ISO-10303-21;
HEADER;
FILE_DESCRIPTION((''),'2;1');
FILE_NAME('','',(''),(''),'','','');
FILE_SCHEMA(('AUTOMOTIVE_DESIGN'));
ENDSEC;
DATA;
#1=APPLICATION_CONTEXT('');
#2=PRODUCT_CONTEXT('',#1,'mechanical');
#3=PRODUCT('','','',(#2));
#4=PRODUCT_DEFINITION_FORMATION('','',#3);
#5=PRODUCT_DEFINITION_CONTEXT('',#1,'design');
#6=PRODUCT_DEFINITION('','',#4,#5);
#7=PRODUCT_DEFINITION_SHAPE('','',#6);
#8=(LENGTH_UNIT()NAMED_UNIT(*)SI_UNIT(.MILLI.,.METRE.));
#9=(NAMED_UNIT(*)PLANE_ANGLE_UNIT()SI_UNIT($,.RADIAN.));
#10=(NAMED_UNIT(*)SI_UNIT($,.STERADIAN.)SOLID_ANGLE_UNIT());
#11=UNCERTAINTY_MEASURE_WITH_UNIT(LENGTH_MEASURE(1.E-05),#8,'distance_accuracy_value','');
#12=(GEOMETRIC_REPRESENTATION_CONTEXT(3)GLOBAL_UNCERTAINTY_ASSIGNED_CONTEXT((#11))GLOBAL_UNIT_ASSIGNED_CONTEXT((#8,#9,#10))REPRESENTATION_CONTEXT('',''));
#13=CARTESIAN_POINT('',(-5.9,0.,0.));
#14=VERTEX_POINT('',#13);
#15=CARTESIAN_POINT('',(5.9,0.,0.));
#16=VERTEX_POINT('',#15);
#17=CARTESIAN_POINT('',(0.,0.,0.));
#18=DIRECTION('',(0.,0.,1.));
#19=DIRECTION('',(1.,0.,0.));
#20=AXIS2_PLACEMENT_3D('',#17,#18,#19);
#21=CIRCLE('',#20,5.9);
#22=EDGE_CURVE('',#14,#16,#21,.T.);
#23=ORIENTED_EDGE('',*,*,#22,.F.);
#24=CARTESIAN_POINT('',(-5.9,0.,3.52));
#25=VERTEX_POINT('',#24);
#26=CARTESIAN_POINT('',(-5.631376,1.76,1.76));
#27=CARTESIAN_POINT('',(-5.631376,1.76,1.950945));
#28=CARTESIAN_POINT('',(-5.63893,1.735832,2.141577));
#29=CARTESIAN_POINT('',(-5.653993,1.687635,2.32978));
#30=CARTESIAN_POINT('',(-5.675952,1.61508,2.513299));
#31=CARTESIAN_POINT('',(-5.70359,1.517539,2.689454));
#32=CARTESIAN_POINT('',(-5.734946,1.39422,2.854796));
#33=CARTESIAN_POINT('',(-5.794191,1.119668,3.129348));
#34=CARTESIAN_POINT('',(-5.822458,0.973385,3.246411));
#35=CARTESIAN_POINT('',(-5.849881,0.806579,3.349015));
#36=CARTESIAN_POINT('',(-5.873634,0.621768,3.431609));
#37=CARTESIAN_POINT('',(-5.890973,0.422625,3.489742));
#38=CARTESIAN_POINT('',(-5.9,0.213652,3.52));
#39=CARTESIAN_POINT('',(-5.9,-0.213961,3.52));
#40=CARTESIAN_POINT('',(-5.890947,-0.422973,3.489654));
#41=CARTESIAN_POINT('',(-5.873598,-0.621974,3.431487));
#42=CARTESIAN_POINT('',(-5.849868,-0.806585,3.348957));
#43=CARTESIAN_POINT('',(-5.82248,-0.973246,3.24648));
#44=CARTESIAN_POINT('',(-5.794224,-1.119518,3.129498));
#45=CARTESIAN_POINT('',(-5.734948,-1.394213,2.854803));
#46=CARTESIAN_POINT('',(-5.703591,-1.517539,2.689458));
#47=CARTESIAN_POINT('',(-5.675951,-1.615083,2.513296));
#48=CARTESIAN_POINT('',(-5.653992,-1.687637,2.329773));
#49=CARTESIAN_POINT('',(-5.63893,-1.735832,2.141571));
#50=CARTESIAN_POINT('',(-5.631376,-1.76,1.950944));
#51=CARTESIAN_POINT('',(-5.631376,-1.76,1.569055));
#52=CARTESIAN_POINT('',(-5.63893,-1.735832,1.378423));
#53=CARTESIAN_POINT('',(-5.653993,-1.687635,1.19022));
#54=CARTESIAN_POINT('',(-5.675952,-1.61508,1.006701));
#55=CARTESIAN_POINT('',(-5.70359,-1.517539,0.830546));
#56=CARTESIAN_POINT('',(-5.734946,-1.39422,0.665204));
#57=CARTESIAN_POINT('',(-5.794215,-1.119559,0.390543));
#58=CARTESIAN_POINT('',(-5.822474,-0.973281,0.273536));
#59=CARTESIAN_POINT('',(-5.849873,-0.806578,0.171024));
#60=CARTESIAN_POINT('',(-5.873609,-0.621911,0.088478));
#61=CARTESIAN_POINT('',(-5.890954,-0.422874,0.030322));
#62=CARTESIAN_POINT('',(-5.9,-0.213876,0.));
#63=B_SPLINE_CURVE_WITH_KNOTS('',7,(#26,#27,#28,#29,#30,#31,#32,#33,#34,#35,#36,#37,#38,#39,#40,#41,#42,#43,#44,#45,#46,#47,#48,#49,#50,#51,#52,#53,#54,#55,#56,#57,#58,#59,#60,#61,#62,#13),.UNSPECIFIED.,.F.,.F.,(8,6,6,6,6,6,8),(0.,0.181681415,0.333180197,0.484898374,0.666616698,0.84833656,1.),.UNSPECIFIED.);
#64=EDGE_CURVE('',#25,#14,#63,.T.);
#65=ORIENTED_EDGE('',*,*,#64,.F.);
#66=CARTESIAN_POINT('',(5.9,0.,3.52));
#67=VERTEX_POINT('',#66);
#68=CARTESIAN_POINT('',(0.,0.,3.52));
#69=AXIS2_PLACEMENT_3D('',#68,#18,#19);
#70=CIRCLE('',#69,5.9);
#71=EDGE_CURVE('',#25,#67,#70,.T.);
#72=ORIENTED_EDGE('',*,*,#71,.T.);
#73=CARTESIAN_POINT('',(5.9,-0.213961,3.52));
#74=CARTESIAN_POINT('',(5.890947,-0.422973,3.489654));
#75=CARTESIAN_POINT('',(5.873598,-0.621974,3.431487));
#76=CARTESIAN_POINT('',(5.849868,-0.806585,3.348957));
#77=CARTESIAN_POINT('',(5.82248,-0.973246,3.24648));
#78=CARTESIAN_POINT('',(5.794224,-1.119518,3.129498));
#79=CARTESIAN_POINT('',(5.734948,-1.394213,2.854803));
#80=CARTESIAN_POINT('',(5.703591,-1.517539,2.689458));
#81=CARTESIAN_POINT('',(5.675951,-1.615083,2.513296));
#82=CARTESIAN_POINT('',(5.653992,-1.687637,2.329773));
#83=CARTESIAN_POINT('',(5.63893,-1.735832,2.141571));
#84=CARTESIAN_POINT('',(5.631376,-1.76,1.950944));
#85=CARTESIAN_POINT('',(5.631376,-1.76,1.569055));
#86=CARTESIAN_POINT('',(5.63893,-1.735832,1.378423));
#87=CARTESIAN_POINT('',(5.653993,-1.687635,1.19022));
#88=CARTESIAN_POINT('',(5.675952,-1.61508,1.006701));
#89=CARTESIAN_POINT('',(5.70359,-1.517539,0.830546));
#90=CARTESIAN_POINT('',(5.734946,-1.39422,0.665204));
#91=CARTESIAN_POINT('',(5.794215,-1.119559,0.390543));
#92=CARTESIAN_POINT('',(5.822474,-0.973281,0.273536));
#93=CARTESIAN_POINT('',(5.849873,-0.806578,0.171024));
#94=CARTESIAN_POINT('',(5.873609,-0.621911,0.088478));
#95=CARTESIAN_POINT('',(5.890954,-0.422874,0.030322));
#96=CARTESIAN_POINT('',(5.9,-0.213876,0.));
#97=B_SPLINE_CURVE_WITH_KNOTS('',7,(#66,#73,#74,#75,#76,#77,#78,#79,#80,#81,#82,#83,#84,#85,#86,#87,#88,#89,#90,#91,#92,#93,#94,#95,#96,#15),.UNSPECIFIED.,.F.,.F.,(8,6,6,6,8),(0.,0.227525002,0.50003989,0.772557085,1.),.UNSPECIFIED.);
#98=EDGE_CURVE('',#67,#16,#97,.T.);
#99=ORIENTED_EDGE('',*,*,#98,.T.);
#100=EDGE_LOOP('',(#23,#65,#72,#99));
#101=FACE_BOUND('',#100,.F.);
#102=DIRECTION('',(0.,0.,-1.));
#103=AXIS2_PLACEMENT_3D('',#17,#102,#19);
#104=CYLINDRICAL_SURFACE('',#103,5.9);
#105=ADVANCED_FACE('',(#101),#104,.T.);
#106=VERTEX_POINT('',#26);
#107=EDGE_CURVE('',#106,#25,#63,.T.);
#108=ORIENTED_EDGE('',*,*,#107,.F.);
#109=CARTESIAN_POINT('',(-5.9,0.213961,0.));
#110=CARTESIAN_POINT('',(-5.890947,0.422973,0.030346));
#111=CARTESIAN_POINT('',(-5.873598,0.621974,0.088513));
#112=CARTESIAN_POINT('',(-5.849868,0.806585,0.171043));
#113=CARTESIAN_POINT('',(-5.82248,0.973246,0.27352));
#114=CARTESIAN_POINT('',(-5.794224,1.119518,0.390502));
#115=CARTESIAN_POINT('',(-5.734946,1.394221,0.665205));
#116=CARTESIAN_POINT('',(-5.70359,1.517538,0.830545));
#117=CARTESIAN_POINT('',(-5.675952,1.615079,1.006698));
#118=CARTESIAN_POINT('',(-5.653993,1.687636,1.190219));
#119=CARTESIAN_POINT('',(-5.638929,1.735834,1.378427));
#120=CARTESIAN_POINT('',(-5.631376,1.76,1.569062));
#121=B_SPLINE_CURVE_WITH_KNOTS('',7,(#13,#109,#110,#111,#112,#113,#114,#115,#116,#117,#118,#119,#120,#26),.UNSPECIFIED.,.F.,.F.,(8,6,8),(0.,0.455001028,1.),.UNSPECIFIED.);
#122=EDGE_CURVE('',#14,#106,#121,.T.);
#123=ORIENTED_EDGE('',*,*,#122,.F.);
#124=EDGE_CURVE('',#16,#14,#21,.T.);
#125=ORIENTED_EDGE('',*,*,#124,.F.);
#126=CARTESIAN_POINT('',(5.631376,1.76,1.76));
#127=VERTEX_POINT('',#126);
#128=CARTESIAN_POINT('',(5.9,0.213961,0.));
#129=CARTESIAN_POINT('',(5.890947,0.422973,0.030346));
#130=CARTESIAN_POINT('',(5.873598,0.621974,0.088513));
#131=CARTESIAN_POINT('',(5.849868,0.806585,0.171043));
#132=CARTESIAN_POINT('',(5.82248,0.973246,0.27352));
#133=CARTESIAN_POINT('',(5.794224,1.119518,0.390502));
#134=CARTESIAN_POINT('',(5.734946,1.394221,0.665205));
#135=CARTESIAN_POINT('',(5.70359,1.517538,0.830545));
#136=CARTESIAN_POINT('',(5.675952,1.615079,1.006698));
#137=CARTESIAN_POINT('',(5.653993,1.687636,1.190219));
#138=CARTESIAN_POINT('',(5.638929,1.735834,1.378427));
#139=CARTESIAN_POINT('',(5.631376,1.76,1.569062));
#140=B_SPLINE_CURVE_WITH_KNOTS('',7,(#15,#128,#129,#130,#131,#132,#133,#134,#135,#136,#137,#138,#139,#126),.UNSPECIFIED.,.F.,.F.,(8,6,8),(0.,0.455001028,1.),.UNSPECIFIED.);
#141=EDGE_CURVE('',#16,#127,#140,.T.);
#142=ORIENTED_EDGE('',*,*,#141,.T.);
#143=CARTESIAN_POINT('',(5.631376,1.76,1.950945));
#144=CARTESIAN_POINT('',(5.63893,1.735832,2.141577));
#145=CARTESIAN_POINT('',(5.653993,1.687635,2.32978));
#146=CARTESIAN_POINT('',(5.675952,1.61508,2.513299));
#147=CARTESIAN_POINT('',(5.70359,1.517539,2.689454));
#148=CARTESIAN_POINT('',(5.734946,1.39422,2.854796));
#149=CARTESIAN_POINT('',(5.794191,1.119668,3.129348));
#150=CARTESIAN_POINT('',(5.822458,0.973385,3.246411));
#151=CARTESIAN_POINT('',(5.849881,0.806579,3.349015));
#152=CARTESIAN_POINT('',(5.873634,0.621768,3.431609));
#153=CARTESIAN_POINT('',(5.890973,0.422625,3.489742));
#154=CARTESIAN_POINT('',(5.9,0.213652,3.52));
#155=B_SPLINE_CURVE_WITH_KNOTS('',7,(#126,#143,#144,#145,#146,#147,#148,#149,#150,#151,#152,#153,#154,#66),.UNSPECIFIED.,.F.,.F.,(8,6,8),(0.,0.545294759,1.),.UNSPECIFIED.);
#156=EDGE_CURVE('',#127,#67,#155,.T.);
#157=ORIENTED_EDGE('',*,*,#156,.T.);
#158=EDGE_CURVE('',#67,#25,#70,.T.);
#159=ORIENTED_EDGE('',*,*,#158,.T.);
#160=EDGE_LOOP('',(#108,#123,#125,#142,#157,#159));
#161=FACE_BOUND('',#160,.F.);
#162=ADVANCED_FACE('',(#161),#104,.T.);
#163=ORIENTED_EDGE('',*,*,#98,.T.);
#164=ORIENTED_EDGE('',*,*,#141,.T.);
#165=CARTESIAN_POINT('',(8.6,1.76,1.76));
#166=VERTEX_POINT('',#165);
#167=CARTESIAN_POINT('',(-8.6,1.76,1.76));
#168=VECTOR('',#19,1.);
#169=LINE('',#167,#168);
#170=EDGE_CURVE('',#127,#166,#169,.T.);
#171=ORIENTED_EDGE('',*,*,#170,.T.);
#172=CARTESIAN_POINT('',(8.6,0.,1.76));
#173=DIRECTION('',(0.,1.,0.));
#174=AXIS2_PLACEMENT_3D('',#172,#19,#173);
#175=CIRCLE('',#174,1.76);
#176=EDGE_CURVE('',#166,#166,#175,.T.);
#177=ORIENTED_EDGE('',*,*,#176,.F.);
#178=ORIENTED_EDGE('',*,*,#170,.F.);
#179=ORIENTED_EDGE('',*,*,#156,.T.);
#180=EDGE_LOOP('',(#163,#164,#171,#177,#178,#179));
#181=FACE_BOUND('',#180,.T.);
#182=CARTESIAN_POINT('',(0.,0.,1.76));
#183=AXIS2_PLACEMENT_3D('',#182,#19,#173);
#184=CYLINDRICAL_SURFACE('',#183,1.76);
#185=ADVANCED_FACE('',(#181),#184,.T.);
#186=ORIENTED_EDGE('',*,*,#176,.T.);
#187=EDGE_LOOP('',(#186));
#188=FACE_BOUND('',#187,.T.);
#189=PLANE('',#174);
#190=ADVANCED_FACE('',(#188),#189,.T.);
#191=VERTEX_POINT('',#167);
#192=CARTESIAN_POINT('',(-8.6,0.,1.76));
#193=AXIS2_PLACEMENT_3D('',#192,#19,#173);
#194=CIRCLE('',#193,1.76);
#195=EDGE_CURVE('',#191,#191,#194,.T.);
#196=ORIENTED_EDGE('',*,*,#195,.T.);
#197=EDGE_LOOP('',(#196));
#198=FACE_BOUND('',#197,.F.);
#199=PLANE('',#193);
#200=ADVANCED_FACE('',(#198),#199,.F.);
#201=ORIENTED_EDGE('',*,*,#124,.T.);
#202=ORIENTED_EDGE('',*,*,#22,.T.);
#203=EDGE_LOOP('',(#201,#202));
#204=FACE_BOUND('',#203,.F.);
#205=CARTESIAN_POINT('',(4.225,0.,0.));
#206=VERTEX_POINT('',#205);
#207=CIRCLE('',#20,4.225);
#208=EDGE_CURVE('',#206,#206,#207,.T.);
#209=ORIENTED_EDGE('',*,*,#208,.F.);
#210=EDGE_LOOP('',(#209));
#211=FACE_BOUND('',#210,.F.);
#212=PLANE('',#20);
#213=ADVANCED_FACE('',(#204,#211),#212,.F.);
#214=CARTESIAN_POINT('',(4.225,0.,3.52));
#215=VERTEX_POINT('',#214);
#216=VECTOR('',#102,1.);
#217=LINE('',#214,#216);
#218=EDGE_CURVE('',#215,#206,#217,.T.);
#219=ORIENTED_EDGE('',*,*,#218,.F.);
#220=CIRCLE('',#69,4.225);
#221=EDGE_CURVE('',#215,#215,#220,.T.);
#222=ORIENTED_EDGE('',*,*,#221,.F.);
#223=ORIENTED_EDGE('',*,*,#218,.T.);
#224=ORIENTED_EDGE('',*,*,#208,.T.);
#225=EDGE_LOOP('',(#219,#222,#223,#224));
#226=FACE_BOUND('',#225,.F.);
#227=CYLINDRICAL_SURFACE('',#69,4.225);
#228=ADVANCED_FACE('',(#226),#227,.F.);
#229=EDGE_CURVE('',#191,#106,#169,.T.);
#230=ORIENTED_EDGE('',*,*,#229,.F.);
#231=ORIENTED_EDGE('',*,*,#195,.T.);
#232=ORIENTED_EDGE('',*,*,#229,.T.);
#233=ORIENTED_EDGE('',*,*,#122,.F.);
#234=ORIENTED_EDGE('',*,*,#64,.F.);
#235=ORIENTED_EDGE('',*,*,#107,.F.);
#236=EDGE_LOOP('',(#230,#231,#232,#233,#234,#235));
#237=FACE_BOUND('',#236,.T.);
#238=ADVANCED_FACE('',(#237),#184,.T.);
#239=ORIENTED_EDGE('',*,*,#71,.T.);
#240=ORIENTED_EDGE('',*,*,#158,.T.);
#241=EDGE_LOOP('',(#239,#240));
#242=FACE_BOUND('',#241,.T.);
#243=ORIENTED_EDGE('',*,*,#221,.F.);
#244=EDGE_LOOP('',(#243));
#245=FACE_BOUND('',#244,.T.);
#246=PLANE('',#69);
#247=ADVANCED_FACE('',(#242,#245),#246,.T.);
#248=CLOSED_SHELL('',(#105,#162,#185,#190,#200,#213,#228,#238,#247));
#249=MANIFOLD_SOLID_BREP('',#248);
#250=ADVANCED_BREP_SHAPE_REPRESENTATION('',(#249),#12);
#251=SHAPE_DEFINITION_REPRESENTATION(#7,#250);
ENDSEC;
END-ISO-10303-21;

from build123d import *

# Parameters (mm, degrees)
F0_R          = 1.76
F1_DEPTH      = 8.6
F1_DEPTH_BACK = 8.6
F2_R          = 5.9
F3_DEPTH      = 3.52
F4_R          = 4.225
F5_DEPTH      = 5


with BuildPart() as f1:
    # F0 (on Right) → F1 (new body, two sides)
    with BuildSketch(Plane.YZ) as f1_sk:
        with Locations((0, 1.76)):
            Circle(F0_R)
    extrude(amount=F1_DEPTH)
    extrude(f1_sk.sketch, amount=-F1_DEPTH_BACK)

    # F2 (on Top) → F3 (join)
    with BuildSketch(Plane.XY):
        Circle(F2_R)
    extrude(amount=F3_DEPTH)

    # F4 (on face) → F5 (cut)
    with BuildSketch(Plane.XY.offset(3.52)):
        Circle(F4_R)
    extrude(amount=-F5_DEPTH, mode=Mode.SUBTRACT)


solid = f1.part
